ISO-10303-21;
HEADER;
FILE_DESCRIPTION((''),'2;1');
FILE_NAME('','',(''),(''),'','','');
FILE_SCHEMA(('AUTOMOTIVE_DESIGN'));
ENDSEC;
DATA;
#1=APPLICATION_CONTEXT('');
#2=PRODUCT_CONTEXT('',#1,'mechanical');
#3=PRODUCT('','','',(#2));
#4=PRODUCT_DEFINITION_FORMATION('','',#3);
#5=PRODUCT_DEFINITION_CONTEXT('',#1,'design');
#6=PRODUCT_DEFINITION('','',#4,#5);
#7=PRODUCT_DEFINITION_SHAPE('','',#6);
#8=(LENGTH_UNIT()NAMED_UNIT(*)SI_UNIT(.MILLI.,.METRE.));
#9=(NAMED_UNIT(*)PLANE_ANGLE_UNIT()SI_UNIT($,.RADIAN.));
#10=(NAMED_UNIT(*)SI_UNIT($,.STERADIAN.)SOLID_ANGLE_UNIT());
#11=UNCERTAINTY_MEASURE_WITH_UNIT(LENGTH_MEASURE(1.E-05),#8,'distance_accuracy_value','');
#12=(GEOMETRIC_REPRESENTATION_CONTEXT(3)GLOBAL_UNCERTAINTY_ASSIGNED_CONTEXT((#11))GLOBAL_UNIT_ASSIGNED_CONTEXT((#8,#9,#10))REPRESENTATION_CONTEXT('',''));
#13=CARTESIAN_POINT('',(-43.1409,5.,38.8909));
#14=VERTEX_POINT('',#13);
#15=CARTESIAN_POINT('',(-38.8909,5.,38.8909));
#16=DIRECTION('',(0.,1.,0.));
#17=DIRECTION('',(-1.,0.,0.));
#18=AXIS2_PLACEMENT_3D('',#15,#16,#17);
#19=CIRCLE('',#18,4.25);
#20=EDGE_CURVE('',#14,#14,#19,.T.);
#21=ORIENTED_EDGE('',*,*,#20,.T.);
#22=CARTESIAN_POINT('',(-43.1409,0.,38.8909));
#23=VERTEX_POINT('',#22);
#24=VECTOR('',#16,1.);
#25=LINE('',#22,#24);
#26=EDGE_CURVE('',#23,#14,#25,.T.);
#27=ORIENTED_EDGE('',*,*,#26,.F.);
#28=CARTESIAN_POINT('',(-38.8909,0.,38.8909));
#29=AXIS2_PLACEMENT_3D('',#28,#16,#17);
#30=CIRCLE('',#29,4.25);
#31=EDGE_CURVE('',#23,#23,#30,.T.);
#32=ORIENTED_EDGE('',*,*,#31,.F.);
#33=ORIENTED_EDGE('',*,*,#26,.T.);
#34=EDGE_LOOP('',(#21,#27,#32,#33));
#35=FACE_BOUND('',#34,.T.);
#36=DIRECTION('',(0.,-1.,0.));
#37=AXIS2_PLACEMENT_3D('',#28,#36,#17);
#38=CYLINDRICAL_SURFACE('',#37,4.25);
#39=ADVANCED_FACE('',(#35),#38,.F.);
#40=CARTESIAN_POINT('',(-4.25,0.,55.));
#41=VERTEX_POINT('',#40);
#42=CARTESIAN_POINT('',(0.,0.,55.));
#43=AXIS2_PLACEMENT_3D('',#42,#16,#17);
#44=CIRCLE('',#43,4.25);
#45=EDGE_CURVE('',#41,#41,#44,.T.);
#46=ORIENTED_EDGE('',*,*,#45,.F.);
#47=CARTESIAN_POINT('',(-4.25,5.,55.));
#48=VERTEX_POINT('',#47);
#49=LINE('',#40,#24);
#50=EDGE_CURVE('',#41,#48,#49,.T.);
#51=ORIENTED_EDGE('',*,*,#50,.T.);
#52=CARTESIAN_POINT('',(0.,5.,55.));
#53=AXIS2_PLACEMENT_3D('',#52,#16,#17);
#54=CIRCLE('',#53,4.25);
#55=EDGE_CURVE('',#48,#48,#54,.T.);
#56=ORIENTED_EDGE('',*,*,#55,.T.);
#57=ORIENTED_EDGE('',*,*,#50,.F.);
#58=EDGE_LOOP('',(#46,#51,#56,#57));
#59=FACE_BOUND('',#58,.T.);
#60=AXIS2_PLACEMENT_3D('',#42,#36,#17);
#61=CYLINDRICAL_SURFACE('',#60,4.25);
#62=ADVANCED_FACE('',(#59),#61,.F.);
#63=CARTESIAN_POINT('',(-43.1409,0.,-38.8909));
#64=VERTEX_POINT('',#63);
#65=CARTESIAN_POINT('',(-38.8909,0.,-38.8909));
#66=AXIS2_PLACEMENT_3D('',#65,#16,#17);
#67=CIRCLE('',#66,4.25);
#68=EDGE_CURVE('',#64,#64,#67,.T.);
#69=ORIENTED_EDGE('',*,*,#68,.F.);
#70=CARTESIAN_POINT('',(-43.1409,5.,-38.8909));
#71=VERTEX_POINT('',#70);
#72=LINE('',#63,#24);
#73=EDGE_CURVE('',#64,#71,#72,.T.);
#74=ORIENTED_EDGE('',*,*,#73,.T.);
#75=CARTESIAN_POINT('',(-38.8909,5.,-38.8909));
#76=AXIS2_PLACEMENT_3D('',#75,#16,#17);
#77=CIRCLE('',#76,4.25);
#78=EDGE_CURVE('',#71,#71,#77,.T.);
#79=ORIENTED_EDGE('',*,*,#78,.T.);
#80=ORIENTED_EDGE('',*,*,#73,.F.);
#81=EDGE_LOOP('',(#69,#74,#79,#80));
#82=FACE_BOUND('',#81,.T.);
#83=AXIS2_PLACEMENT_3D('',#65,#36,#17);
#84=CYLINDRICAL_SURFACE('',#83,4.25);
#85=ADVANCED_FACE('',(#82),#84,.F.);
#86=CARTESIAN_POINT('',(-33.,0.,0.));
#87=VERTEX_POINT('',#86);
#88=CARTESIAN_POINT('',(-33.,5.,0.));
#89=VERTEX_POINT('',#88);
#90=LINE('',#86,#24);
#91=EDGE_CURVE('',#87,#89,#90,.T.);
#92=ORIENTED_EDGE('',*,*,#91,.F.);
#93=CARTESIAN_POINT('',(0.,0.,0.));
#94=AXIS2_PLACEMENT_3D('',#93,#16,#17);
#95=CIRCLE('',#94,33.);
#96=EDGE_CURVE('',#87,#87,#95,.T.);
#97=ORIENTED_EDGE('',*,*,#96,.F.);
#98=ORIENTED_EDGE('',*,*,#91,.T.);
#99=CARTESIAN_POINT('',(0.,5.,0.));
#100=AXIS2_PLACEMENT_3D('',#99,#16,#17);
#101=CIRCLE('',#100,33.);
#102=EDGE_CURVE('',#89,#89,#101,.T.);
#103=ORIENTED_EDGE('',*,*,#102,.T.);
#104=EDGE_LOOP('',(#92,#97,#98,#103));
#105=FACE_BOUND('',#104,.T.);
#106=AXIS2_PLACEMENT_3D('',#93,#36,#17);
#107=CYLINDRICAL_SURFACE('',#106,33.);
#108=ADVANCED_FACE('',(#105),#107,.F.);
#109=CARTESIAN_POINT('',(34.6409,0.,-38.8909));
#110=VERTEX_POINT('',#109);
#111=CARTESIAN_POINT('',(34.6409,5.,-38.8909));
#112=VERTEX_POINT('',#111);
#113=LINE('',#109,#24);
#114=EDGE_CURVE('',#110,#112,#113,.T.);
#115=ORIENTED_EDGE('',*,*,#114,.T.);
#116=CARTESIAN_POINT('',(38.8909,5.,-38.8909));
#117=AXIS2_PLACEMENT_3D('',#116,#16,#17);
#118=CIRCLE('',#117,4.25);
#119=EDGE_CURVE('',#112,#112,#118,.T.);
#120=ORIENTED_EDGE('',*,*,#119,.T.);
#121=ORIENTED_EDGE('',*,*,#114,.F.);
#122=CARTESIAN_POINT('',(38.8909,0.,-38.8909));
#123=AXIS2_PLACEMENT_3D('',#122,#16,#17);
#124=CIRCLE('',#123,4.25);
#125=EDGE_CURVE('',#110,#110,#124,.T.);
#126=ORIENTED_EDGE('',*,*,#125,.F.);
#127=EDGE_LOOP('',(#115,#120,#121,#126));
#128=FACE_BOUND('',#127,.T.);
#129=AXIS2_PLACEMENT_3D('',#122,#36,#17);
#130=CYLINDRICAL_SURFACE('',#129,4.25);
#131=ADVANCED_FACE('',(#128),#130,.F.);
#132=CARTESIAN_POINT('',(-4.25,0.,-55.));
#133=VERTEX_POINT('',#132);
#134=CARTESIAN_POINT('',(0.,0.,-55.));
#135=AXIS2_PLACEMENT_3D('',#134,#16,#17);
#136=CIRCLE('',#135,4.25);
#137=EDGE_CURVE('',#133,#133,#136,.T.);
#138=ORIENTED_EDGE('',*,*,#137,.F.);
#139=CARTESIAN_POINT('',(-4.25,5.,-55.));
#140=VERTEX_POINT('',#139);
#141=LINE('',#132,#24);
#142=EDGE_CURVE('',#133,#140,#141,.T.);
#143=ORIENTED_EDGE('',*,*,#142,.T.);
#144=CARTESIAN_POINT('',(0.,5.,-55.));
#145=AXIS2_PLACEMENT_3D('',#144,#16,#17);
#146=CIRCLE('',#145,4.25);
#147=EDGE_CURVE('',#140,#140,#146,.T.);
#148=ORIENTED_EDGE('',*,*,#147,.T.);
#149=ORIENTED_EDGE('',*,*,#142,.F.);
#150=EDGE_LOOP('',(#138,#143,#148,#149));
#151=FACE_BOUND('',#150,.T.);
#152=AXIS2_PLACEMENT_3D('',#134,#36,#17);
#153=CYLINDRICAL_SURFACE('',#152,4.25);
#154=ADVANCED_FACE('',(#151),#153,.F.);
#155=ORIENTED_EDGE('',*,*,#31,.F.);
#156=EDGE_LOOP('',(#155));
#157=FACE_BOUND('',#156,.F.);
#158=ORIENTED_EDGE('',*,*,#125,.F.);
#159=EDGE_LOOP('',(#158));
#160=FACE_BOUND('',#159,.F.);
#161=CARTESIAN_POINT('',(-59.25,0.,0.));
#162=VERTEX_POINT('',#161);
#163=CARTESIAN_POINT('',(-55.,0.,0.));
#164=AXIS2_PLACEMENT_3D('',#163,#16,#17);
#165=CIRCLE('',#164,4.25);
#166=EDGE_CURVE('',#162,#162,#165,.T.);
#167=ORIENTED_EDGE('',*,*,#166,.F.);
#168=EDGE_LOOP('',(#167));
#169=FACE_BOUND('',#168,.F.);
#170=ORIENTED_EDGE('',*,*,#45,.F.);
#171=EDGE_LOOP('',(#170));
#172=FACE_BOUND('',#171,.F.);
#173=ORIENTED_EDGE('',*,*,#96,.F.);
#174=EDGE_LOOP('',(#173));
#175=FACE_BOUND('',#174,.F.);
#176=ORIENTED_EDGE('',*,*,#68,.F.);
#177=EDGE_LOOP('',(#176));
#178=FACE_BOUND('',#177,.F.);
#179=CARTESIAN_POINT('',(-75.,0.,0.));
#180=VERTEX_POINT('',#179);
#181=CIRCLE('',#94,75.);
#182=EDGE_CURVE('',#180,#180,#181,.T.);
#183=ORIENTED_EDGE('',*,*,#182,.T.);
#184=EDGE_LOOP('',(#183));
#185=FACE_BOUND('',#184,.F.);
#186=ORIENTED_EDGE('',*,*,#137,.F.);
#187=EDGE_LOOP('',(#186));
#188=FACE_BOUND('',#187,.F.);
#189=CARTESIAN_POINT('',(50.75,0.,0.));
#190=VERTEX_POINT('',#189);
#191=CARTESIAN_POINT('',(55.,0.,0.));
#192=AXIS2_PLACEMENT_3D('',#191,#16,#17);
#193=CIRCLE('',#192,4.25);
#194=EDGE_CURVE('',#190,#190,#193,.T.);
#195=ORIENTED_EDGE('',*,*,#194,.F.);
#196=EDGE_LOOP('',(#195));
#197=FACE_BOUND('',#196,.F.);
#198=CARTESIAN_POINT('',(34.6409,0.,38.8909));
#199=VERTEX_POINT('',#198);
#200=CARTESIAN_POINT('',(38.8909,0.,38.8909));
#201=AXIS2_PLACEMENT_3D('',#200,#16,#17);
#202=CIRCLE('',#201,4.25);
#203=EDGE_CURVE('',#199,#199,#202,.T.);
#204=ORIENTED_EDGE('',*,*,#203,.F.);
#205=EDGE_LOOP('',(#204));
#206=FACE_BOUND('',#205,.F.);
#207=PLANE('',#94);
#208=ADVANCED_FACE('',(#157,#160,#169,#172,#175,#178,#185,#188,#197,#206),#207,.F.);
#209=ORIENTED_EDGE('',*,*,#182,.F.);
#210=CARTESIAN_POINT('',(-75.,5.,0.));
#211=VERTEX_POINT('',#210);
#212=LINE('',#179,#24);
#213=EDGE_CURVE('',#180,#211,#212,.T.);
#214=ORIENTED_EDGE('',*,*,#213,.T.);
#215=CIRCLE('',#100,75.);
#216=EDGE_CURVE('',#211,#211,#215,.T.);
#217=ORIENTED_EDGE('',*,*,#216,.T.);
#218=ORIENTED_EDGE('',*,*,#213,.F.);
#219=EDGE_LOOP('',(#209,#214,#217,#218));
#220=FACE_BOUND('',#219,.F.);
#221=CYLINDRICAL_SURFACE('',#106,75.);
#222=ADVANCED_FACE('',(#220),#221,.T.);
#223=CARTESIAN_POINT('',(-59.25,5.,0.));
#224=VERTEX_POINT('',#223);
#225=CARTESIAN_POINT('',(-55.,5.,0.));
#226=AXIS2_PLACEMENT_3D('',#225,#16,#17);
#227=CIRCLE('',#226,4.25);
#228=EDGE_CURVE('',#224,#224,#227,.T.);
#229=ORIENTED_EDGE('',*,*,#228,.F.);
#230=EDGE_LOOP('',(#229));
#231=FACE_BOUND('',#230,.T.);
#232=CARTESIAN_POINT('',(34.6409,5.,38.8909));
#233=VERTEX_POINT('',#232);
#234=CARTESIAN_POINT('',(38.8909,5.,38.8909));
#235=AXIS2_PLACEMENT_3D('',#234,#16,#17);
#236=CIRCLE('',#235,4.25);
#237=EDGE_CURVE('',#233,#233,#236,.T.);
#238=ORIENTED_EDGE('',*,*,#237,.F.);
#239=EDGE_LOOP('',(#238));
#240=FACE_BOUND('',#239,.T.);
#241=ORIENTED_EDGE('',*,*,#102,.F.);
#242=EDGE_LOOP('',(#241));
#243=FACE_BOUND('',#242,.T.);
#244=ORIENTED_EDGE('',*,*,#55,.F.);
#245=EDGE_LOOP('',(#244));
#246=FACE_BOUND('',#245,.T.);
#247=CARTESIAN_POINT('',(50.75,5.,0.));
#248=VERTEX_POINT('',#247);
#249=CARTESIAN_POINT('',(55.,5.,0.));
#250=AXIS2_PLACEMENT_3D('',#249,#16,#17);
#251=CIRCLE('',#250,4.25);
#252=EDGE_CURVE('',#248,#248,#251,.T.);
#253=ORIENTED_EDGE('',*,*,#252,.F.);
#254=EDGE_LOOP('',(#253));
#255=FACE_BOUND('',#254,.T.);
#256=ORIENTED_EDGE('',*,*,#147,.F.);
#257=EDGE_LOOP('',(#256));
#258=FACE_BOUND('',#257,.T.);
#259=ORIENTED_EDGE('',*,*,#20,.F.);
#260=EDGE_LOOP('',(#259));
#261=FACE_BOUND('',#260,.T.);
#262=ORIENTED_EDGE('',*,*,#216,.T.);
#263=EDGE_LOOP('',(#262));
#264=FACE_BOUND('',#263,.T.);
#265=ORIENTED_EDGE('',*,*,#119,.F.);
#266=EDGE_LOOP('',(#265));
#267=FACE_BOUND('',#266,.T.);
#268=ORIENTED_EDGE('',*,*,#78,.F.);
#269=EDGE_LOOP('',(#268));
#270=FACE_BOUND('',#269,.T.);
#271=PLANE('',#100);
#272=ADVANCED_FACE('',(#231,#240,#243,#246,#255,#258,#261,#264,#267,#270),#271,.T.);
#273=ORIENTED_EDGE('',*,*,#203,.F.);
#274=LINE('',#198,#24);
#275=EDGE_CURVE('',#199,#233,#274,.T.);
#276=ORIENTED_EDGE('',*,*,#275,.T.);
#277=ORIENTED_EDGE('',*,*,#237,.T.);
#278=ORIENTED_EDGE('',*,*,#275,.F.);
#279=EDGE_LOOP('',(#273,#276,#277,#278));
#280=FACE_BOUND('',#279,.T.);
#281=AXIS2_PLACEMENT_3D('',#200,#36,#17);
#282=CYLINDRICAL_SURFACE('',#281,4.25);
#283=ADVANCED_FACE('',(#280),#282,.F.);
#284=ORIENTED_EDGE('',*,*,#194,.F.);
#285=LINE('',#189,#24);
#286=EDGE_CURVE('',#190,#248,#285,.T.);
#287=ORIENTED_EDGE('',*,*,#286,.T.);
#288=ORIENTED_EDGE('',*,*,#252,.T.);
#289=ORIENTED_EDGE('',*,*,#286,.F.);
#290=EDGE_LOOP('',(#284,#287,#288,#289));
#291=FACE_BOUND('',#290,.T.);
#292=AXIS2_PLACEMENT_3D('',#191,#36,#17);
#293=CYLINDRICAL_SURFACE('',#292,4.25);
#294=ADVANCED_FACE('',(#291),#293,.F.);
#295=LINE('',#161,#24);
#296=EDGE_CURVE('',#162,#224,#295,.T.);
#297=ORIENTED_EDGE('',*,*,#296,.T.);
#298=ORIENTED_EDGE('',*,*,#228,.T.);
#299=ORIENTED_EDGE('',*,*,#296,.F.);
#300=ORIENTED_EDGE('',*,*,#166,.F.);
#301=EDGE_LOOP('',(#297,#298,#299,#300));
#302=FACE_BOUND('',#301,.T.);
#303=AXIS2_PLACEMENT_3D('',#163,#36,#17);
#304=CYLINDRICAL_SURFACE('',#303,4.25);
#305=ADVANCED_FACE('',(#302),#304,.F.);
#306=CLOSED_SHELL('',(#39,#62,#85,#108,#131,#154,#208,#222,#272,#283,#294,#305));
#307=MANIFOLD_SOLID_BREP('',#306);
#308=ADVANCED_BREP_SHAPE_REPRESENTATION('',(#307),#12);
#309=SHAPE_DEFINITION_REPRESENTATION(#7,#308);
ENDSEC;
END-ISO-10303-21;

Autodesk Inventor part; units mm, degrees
ref_plane "YZ Plane" through (0, 0, 0) normal (1, 0, 0) x (0, 1, 0)
ref_plane "XZ Plane" through (0, 0, 0) normal (0, 1, 0) x (-1, 0, 0)
ref_plane "XY Plane" through (0, 0, 0) normal (0, 0, 1) x (1, 0, 0)
sketch "Sketch1" plane through (0, 0, 0) normal (0, 1, 0) x (-1, 0, 0)
  circle A0 centre (0, 0) radius 75
  circle A1 centre (0, 0) radius 33
  circle A2 centre (55, 0) radius 4.25
  circle A3 centre (38.8909, 38.8909) radius 4.25
  circle A4 centre (0, 55) radius 4.25
  circle A5 centre (-38.8909, 38.8909) radius 4.25
  circle A6 centre (-55, 0) radius 4.25
  circle A7 centre (-38.8909, -38.8909) radius 4.25
  circle A8 centre (0, -55) radius 4.25
  circle A9 centre (38.8909, -38.8909) radius 4.25
  dimension "d0" = 150
  dimension "d1" = 66
  dimension "d2" = 55
  dimension "d3" = 8.5
  dimension "d6" = 360
extrude "Extrusion1" add sketch "Sketch1" along normal blind 5
properties part number "plateHole" material "Steel"
